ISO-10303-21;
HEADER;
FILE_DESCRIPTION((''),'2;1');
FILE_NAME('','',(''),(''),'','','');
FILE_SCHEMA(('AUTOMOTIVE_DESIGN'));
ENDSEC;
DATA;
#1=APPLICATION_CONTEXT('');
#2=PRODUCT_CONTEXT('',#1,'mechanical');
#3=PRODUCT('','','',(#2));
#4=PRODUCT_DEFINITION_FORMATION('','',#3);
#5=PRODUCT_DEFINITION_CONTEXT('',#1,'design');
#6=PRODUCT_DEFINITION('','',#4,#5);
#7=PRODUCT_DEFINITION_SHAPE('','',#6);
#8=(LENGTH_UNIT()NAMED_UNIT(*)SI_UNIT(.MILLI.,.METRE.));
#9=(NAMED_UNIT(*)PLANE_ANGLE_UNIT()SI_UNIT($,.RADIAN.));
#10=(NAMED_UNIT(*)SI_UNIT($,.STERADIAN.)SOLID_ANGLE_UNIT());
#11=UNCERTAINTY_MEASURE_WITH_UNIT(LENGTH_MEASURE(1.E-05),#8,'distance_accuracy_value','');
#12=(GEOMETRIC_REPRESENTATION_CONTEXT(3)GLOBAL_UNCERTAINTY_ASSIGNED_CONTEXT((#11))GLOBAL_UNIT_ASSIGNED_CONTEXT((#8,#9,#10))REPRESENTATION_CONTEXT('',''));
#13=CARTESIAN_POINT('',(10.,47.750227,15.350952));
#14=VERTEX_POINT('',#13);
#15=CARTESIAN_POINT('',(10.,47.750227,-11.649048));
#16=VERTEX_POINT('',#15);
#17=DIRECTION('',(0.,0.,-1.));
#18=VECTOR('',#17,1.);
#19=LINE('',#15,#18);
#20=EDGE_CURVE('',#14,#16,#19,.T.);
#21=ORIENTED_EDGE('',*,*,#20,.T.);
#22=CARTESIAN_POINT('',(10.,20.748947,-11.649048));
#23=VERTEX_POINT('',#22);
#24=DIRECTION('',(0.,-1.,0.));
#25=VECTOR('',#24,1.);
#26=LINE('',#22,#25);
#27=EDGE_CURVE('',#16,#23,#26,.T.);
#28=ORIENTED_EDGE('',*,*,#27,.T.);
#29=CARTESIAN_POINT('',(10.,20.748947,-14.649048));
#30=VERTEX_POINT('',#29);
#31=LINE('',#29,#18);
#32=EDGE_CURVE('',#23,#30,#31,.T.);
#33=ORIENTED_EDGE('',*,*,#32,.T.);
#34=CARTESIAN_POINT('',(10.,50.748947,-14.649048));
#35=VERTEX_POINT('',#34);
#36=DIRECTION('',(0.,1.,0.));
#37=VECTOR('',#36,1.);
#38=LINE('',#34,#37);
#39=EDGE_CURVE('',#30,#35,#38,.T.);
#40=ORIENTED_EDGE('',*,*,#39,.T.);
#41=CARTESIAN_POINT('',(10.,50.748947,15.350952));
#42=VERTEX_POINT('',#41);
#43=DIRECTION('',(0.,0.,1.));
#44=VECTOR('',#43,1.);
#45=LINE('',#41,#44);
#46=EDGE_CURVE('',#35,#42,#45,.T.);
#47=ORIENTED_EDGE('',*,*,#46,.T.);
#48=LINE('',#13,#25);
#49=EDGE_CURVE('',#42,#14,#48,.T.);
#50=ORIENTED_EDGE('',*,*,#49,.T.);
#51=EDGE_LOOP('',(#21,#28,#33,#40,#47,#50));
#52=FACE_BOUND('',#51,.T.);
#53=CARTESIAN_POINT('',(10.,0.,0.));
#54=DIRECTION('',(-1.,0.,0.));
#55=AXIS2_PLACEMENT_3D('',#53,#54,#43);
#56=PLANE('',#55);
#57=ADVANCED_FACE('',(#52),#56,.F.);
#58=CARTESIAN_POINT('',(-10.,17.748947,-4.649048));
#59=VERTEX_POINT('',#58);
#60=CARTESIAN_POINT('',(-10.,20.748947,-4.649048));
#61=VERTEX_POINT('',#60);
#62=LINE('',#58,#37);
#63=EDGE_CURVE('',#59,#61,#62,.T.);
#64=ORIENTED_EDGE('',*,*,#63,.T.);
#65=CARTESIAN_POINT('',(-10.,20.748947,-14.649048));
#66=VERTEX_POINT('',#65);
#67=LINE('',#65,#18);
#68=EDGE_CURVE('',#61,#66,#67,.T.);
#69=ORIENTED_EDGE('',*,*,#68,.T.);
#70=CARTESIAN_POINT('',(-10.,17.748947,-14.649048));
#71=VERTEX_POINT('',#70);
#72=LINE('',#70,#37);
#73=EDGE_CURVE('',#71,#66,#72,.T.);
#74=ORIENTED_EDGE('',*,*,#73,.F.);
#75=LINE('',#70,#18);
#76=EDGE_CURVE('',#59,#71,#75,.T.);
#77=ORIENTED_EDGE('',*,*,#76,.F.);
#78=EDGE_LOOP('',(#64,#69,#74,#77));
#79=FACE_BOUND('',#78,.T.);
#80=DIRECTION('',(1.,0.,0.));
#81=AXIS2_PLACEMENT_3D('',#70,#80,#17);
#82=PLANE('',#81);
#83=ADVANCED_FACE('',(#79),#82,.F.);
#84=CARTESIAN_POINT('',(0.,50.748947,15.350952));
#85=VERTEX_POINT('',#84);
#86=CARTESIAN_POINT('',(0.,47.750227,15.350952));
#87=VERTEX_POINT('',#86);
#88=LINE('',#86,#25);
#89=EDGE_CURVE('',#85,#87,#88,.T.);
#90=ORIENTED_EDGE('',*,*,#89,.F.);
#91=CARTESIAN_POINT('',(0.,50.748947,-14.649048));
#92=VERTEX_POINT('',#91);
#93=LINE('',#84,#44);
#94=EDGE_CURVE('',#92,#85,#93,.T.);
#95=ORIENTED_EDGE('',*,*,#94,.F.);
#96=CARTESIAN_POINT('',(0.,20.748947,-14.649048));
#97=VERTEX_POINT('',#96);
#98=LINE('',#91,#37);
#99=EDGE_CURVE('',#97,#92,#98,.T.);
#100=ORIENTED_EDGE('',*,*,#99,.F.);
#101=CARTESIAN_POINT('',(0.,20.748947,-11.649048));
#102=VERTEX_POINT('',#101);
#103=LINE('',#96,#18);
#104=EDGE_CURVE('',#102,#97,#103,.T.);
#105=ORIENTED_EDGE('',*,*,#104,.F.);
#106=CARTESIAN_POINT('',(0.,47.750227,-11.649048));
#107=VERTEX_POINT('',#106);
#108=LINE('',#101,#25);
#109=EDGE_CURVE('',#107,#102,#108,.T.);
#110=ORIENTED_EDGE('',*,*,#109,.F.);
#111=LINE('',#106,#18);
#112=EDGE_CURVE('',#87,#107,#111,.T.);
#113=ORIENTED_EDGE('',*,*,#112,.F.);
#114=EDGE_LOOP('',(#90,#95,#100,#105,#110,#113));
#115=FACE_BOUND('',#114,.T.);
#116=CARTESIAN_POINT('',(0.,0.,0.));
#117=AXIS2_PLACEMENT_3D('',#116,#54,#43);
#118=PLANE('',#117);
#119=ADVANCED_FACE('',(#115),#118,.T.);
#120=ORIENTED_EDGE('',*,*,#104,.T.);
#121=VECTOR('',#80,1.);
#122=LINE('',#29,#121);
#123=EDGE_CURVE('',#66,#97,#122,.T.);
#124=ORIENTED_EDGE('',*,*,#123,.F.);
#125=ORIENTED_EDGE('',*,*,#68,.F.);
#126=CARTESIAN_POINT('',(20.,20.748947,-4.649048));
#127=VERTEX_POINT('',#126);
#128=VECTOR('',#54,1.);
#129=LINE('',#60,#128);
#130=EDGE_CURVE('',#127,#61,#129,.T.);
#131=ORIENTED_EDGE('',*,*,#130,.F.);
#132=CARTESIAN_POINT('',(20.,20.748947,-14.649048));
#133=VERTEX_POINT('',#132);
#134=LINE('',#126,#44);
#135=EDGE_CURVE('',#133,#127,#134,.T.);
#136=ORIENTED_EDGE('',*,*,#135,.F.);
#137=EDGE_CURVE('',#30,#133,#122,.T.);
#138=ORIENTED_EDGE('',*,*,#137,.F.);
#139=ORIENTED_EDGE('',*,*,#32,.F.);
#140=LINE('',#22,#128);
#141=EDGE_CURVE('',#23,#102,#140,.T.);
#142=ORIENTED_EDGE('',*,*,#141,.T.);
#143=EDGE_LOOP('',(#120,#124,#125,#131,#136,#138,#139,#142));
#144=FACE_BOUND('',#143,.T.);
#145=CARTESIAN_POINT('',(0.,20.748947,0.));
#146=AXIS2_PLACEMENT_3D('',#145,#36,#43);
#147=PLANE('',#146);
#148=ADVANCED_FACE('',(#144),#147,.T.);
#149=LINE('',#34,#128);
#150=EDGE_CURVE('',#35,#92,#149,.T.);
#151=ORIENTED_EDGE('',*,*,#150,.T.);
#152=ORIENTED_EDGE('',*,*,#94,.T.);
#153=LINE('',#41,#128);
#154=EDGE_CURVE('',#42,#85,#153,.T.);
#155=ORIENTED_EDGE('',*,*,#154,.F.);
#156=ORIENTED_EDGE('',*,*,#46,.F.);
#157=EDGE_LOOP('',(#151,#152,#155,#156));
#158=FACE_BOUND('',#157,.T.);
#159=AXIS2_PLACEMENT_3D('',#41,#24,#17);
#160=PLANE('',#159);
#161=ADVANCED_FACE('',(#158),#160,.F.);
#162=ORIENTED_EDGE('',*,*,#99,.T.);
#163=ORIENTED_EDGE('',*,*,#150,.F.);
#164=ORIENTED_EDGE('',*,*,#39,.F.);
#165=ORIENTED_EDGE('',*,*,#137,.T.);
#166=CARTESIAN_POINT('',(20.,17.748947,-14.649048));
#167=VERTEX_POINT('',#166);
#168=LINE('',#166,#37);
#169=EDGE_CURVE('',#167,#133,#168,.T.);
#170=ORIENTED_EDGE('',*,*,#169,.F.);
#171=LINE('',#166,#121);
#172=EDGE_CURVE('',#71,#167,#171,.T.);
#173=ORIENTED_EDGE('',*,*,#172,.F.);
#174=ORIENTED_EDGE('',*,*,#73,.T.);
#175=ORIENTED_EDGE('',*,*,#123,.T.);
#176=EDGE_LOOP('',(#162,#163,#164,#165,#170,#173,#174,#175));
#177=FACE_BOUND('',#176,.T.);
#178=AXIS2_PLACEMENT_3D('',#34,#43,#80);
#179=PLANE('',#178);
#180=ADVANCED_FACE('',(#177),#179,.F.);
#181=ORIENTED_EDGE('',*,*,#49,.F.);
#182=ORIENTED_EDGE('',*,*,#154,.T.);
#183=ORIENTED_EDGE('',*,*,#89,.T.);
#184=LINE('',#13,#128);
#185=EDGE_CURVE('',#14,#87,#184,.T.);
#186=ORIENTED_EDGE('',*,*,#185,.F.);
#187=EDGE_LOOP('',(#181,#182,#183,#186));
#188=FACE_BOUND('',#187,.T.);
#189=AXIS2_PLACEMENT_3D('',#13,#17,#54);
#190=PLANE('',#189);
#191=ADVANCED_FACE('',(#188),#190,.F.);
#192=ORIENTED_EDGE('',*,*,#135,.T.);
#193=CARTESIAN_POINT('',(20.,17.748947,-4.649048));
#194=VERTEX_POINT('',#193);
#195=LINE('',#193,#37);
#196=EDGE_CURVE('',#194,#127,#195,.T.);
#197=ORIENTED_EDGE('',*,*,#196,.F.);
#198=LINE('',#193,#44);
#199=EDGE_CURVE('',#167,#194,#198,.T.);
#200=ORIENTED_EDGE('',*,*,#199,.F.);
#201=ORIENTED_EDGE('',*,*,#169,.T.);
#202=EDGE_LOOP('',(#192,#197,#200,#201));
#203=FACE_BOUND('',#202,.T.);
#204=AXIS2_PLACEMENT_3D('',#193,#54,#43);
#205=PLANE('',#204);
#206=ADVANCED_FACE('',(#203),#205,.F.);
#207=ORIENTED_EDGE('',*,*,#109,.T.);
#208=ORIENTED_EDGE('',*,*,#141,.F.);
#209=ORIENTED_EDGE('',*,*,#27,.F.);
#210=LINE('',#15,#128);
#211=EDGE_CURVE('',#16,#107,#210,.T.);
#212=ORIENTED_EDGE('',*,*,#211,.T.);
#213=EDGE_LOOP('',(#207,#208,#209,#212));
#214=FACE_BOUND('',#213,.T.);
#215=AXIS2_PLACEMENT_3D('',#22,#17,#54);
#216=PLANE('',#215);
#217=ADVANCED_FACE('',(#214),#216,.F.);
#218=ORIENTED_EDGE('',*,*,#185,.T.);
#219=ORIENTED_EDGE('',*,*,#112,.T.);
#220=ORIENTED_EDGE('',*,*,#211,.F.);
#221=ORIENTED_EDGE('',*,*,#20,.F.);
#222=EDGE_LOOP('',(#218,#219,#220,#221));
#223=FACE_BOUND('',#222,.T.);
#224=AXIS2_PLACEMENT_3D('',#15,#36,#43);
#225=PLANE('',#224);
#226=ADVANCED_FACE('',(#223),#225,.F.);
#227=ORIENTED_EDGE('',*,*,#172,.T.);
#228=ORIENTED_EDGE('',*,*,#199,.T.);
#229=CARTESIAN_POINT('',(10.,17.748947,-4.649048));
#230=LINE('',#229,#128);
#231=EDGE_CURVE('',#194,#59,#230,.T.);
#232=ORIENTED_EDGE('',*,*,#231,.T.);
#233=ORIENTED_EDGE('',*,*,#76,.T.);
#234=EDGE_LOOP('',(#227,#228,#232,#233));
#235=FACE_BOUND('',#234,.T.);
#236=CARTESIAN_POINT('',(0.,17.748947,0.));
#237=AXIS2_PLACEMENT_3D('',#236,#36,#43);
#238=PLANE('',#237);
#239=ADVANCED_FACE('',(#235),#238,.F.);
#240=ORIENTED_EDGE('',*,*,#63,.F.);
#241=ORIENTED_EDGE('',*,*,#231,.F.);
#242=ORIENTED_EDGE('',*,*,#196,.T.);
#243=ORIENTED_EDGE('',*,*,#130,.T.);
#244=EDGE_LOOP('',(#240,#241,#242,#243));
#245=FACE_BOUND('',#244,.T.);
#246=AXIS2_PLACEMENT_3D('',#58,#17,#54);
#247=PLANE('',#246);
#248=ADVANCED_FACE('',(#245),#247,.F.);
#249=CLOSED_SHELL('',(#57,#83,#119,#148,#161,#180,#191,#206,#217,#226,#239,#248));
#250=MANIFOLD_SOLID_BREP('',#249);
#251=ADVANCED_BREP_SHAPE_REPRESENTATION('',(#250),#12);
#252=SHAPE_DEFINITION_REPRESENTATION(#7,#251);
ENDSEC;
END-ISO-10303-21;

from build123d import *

# Parameters (mm, degrees)
EXTRUDE_2_DEPTH = 10
EXTRUDE_3_DEPTH = 3


with BuildPart() as part:
    # 草图2 → 凸台-拉伸2 (new body)
    with BuildSketch(Plane(origin=(0, 0, 0), x_dir=(0, 0, -1), z_dir=(1, 0, 0))):
        Polygon((-15.350951503, 50.748946778), (14.649048497, 50.748946778), (14.649048497, 20.748946778), (11.649048497, 20.748946778), (11.649048497, 47.75022668), (-15.350951503, 47.75022668), align=None)
    extrude(amount=EXTRUDE_2_DEPTH)

    # 草图4 → 凸台-拉伸3 (add)
    with BuildSketch(Plane.XZ.offset(-20.748946778)):
        Polygon((10, -14.649048497), (-10, -14.649048497), (-10, -4.649048497), (10, -4.649048497), (20, -4.649048497), (20, -14.649048497), align=None)
    extrude(amount=EXTRUDE_3_DEPTH)


solid = part.part
